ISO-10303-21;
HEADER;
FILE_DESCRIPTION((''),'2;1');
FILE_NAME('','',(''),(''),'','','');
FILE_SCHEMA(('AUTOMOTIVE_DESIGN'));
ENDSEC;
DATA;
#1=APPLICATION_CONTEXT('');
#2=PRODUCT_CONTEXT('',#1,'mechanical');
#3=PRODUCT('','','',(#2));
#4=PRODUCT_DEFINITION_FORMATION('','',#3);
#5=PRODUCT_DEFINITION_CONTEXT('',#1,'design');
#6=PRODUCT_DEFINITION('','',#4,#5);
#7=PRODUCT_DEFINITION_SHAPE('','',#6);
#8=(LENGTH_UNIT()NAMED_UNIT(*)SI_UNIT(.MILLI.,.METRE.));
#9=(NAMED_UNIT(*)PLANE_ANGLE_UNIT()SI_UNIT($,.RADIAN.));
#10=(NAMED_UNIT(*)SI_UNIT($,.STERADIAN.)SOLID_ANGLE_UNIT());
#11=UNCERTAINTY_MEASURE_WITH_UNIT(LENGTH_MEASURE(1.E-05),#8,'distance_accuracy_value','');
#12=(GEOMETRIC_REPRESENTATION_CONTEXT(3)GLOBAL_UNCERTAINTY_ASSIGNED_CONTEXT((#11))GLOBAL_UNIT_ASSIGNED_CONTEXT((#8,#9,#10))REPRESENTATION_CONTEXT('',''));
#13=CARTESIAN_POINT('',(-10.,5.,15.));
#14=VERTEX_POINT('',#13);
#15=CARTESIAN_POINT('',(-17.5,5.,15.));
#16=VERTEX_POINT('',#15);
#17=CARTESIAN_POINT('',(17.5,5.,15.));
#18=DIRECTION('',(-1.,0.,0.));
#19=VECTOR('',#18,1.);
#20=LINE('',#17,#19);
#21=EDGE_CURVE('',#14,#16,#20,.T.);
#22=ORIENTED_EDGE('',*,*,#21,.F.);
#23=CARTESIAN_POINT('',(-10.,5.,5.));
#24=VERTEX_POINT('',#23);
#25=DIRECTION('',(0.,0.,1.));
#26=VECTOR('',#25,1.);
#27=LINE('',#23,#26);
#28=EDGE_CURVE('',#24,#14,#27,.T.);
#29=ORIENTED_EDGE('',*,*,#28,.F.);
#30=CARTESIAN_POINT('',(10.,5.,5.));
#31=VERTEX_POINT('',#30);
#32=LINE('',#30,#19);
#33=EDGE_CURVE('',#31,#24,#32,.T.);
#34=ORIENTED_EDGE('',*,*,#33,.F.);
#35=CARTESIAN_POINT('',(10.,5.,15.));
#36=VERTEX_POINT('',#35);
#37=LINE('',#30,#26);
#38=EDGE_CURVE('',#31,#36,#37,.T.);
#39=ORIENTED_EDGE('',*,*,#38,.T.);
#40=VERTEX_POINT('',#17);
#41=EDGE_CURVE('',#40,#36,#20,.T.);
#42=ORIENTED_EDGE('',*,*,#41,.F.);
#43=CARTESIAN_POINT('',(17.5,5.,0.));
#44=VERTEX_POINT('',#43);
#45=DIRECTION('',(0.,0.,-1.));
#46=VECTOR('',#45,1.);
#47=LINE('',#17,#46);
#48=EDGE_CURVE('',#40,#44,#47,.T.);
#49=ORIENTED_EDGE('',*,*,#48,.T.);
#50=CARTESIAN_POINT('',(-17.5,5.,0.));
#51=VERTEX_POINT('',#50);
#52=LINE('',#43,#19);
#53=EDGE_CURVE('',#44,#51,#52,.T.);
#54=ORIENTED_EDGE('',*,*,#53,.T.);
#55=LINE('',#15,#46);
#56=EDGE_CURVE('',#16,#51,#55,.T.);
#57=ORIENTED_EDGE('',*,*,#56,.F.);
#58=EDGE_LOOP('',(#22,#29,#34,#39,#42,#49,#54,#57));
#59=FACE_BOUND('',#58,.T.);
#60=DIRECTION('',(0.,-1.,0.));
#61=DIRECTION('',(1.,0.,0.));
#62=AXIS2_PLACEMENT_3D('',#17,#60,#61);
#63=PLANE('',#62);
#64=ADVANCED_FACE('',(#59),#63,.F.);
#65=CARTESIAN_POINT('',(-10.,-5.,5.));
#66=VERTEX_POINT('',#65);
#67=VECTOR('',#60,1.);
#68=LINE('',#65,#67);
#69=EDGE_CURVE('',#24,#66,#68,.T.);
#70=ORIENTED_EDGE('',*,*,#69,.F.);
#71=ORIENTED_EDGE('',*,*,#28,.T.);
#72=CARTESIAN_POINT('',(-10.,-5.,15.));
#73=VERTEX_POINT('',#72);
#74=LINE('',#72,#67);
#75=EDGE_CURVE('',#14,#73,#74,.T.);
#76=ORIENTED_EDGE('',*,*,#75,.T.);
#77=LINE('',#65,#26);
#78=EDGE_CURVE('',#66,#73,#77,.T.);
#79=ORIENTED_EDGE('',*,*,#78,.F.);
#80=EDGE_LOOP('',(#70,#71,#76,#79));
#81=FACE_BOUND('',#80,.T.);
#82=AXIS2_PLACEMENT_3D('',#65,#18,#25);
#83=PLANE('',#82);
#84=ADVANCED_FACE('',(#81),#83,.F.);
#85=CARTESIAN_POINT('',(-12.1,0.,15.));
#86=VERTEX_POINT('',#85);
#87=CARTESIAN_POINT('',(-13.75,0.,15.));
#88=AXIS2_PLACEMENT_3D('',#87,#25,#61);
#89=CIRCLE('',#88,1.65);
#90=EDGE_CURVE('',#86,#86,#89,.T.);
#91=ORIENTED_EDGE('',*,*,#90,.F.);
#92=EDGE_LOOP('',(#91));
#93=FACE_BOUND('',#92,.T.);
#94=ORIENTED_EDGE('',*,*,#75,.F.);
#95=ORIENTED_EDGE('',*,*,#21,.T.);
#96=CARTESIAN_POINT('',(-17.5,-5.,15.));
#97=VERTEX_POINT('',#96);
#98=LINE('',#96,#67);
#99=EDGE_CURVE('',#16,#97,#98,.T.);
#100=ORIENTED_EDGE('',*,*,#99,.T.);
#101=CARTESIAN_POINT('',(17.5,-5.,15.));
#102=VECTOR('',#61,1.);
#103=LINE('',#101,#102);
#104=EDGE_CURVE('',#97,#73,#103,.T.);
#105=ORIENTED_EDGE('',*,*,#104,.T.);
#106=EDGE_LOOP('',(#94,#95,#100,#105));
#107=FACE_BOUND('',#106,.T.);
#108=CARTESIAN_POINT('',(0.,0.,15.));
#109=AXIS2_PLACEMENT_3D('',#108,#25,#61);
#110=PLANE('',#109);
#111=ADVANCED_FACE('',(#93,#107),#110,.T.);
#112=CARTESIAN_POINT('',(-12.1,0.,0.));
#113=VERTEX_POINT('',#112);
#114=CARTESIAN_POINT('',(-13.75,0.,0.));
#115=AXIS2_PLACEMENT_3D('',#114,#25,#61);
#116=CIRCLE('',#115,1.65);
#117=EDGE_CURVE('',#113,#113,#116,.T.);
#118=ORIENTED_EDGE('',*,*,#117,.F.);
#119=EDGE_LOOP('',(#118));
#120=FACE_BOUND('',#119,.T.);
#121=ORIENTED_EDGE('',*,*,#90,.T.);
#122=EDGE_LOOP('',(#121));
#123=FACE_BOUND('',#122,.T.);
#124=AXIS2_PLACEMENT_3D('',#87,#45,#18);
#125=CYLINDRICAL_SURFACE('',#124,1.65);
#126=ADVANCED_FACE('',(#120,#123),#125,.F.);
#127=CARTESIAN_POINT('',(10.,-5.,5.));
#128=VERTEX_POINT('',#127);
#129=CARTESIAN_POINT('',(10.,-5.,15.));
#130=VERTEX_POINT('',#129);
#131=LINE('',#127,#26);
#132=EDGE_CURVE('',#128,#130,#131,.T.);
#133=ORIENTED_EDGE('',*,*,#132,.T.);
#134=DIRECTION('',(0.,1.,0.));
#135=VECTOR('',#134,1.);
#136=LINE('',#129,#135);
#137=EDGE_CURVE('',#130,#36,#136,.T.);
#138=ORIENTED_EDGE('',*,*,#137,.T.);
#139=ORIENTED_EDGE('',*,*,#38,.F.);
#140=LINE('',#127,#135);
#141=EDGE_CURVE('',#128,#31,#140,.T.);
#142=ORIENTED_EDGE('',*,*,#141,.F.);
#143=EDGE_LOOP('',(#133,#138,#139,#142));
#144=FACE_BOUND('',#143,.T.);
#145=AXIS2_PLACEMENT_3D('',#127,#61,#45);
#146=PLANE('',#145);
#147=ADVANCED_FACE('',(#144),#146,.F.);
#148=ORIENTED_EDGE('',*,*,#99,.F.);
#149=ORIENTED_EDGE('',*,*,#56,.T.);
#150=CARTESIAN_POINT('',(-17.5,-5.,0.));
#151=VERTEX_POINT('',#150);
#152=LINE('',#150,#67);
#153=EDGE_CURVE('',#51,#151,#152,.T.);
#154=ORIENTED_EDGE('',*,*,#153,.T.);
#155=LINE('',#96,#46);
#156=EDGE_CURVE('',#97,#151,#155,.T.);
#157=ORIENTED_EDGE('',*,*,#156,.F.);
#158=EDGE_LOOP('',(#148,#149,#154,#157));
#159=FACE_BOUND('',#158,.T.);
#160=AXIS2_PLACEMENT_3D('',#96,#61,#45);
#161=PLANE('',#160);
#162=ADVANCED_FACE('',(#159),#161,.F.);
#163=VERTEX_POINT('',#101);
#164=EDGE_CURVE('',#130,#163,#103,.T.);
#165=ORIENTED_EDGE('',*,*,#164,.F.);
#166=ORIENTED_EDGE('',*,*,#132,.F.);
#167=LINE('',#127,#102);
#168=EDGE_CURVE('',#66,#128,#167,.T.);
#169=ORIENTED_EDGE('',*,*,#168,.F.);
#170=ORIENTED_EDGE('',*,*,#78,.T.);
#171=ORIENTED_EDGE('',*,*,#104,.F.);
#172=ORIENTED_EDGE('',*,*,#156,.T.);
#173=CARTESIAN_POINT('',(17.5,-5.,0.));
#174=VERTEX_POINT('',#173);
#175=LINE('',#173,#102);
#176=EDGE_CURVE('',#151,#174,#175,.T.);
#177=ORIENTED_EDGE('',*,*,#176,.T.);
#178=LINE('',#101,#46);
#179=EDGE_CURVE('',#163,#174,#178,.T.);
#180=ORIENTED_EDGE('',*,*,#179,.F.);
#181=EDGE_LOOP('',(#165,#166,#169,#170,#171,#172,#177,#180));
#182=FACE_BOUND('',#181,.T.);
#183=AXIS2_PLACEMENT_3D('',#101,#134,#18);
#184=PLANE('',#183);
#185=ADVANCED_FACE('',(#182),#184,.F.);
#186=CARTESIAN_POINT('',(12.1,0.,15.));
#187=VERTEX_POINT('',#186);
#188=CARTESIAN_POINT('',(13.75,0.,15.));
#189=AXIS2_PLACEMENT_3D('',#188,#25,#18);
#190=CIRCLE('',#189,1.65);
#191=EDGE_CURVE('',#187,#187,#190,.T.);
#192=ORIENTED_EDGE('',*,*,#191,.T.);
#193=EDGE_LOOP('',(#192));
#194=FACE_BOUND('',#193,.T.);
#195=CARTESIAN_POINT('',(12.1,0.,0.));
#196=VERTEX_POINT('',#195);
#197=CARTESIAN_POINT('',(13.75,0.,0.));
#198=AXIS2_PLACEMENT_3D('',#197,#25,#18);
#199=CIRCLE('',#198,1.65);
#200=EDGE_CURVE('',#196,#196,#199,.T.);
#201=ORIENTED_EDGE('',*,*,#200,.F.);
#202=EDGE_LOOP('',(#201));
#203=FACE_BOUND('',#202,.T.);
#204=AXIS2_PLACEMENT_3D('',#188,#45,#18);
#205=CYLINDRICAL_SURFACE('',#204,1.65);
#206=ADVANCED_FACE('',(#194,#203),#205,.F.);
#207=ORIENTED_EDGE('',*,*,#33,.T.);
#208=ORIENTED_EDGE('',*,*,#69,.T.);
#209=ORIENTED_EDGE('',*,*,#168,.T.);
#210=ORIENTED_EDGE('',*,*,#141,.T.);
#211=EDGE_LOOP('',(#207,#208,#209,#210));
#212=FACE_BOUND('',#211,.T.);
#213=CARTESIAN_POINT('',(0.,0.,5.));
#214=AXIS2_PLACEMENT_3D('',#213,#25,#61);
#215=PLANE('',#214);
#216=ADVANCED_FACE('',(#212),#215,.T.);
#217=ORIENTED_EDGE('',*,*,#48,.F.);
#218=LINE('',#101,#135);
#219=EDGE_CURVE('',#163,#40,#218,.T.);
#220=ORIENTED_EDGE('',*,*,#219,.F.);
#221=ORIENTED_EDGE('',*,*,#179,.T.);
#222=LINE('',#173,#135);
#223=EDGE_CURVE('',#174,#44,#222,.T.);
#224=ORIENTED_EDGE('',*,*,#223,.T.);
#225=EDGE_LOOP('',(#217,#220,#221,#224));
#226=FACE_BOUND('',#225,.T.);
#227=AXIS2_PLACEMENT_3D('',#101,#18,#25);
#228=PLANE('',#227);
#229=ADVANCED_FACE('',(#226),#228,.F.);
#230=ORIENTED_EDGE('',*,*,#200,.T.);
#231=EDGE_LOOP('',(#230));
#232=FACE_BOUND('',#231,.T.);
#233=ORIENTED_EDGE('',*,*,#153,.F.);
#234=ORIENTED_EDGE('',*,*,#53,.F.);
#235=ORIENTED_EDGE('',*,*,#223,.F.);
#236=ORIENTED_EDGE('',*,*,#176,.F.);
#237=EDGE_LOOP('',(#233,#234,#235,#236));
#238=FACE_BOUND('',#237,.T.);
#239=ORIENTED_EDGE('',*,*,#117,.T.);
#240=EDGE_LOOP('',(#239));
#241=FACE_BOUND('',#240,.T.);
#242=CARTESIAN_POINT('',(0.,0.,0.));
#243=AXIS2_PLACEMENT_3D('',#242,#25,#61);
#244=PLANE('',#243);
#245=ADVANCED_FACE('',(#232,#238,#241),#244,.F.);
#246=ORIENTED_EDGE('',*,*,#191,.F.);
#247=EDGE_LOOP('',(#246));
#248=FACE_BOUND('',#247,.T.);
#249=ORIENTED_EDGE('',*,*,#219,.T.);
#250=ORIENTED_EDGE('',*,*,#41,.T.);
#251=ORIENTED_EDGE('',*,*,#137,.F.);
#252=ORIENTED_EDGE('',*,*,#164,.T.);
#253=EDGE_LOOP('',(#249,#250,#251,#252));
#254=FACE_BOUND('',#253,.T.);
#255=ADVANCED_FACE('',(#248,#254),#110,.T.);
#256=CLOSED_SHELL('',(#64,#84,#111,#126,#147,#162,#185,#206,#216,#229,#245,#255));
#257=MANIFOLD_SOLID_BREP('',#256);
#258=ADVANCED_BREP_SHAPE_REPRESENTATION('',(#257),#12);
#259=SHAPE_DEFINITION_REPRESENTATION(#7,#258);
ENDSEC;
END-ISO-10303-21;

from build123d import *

# Parameters (mm, degrees)
SKETCH1_W           = 35
SKETCH1_H           = 10
SKETCH1_R           = 1.65
BOSS_EXTRUDE1_DEPTH = 15
SKETCH2_W           = 20
SKETCH2_H           = 10
CUT_EXTRUDE1_DEPTH  = 10


with BuildPart() as part:
    # Sketch1 → Boss-Extrude1 (new body)
    with BuildSketch(Plane.XY):
        Rectangle(SKETCH1_W, SKETCH1_H)
        with Locations((-13.75, 0)):
            Circle(SKETCH1_R, mode=Mode.SUBTRACT)
        with Locations((13.75, 0)):
            Circle(SKETCH1_R, mode=Mode.SUBTRACT)
    extrude(amount=BOSS_EXTRUDE1_DEPTH)

    # Sketch2 → Cut-Extrude1 (cut)
    with BuildSketch(Plane.XY.offset(15)):
        Rectangle(SKETCH2_W, SKETCH2_H)
    extrude(amount=-CUT_EXTRUDE1_DEPTH, mode=Mode.SUBTRACT)


solid = part.part
